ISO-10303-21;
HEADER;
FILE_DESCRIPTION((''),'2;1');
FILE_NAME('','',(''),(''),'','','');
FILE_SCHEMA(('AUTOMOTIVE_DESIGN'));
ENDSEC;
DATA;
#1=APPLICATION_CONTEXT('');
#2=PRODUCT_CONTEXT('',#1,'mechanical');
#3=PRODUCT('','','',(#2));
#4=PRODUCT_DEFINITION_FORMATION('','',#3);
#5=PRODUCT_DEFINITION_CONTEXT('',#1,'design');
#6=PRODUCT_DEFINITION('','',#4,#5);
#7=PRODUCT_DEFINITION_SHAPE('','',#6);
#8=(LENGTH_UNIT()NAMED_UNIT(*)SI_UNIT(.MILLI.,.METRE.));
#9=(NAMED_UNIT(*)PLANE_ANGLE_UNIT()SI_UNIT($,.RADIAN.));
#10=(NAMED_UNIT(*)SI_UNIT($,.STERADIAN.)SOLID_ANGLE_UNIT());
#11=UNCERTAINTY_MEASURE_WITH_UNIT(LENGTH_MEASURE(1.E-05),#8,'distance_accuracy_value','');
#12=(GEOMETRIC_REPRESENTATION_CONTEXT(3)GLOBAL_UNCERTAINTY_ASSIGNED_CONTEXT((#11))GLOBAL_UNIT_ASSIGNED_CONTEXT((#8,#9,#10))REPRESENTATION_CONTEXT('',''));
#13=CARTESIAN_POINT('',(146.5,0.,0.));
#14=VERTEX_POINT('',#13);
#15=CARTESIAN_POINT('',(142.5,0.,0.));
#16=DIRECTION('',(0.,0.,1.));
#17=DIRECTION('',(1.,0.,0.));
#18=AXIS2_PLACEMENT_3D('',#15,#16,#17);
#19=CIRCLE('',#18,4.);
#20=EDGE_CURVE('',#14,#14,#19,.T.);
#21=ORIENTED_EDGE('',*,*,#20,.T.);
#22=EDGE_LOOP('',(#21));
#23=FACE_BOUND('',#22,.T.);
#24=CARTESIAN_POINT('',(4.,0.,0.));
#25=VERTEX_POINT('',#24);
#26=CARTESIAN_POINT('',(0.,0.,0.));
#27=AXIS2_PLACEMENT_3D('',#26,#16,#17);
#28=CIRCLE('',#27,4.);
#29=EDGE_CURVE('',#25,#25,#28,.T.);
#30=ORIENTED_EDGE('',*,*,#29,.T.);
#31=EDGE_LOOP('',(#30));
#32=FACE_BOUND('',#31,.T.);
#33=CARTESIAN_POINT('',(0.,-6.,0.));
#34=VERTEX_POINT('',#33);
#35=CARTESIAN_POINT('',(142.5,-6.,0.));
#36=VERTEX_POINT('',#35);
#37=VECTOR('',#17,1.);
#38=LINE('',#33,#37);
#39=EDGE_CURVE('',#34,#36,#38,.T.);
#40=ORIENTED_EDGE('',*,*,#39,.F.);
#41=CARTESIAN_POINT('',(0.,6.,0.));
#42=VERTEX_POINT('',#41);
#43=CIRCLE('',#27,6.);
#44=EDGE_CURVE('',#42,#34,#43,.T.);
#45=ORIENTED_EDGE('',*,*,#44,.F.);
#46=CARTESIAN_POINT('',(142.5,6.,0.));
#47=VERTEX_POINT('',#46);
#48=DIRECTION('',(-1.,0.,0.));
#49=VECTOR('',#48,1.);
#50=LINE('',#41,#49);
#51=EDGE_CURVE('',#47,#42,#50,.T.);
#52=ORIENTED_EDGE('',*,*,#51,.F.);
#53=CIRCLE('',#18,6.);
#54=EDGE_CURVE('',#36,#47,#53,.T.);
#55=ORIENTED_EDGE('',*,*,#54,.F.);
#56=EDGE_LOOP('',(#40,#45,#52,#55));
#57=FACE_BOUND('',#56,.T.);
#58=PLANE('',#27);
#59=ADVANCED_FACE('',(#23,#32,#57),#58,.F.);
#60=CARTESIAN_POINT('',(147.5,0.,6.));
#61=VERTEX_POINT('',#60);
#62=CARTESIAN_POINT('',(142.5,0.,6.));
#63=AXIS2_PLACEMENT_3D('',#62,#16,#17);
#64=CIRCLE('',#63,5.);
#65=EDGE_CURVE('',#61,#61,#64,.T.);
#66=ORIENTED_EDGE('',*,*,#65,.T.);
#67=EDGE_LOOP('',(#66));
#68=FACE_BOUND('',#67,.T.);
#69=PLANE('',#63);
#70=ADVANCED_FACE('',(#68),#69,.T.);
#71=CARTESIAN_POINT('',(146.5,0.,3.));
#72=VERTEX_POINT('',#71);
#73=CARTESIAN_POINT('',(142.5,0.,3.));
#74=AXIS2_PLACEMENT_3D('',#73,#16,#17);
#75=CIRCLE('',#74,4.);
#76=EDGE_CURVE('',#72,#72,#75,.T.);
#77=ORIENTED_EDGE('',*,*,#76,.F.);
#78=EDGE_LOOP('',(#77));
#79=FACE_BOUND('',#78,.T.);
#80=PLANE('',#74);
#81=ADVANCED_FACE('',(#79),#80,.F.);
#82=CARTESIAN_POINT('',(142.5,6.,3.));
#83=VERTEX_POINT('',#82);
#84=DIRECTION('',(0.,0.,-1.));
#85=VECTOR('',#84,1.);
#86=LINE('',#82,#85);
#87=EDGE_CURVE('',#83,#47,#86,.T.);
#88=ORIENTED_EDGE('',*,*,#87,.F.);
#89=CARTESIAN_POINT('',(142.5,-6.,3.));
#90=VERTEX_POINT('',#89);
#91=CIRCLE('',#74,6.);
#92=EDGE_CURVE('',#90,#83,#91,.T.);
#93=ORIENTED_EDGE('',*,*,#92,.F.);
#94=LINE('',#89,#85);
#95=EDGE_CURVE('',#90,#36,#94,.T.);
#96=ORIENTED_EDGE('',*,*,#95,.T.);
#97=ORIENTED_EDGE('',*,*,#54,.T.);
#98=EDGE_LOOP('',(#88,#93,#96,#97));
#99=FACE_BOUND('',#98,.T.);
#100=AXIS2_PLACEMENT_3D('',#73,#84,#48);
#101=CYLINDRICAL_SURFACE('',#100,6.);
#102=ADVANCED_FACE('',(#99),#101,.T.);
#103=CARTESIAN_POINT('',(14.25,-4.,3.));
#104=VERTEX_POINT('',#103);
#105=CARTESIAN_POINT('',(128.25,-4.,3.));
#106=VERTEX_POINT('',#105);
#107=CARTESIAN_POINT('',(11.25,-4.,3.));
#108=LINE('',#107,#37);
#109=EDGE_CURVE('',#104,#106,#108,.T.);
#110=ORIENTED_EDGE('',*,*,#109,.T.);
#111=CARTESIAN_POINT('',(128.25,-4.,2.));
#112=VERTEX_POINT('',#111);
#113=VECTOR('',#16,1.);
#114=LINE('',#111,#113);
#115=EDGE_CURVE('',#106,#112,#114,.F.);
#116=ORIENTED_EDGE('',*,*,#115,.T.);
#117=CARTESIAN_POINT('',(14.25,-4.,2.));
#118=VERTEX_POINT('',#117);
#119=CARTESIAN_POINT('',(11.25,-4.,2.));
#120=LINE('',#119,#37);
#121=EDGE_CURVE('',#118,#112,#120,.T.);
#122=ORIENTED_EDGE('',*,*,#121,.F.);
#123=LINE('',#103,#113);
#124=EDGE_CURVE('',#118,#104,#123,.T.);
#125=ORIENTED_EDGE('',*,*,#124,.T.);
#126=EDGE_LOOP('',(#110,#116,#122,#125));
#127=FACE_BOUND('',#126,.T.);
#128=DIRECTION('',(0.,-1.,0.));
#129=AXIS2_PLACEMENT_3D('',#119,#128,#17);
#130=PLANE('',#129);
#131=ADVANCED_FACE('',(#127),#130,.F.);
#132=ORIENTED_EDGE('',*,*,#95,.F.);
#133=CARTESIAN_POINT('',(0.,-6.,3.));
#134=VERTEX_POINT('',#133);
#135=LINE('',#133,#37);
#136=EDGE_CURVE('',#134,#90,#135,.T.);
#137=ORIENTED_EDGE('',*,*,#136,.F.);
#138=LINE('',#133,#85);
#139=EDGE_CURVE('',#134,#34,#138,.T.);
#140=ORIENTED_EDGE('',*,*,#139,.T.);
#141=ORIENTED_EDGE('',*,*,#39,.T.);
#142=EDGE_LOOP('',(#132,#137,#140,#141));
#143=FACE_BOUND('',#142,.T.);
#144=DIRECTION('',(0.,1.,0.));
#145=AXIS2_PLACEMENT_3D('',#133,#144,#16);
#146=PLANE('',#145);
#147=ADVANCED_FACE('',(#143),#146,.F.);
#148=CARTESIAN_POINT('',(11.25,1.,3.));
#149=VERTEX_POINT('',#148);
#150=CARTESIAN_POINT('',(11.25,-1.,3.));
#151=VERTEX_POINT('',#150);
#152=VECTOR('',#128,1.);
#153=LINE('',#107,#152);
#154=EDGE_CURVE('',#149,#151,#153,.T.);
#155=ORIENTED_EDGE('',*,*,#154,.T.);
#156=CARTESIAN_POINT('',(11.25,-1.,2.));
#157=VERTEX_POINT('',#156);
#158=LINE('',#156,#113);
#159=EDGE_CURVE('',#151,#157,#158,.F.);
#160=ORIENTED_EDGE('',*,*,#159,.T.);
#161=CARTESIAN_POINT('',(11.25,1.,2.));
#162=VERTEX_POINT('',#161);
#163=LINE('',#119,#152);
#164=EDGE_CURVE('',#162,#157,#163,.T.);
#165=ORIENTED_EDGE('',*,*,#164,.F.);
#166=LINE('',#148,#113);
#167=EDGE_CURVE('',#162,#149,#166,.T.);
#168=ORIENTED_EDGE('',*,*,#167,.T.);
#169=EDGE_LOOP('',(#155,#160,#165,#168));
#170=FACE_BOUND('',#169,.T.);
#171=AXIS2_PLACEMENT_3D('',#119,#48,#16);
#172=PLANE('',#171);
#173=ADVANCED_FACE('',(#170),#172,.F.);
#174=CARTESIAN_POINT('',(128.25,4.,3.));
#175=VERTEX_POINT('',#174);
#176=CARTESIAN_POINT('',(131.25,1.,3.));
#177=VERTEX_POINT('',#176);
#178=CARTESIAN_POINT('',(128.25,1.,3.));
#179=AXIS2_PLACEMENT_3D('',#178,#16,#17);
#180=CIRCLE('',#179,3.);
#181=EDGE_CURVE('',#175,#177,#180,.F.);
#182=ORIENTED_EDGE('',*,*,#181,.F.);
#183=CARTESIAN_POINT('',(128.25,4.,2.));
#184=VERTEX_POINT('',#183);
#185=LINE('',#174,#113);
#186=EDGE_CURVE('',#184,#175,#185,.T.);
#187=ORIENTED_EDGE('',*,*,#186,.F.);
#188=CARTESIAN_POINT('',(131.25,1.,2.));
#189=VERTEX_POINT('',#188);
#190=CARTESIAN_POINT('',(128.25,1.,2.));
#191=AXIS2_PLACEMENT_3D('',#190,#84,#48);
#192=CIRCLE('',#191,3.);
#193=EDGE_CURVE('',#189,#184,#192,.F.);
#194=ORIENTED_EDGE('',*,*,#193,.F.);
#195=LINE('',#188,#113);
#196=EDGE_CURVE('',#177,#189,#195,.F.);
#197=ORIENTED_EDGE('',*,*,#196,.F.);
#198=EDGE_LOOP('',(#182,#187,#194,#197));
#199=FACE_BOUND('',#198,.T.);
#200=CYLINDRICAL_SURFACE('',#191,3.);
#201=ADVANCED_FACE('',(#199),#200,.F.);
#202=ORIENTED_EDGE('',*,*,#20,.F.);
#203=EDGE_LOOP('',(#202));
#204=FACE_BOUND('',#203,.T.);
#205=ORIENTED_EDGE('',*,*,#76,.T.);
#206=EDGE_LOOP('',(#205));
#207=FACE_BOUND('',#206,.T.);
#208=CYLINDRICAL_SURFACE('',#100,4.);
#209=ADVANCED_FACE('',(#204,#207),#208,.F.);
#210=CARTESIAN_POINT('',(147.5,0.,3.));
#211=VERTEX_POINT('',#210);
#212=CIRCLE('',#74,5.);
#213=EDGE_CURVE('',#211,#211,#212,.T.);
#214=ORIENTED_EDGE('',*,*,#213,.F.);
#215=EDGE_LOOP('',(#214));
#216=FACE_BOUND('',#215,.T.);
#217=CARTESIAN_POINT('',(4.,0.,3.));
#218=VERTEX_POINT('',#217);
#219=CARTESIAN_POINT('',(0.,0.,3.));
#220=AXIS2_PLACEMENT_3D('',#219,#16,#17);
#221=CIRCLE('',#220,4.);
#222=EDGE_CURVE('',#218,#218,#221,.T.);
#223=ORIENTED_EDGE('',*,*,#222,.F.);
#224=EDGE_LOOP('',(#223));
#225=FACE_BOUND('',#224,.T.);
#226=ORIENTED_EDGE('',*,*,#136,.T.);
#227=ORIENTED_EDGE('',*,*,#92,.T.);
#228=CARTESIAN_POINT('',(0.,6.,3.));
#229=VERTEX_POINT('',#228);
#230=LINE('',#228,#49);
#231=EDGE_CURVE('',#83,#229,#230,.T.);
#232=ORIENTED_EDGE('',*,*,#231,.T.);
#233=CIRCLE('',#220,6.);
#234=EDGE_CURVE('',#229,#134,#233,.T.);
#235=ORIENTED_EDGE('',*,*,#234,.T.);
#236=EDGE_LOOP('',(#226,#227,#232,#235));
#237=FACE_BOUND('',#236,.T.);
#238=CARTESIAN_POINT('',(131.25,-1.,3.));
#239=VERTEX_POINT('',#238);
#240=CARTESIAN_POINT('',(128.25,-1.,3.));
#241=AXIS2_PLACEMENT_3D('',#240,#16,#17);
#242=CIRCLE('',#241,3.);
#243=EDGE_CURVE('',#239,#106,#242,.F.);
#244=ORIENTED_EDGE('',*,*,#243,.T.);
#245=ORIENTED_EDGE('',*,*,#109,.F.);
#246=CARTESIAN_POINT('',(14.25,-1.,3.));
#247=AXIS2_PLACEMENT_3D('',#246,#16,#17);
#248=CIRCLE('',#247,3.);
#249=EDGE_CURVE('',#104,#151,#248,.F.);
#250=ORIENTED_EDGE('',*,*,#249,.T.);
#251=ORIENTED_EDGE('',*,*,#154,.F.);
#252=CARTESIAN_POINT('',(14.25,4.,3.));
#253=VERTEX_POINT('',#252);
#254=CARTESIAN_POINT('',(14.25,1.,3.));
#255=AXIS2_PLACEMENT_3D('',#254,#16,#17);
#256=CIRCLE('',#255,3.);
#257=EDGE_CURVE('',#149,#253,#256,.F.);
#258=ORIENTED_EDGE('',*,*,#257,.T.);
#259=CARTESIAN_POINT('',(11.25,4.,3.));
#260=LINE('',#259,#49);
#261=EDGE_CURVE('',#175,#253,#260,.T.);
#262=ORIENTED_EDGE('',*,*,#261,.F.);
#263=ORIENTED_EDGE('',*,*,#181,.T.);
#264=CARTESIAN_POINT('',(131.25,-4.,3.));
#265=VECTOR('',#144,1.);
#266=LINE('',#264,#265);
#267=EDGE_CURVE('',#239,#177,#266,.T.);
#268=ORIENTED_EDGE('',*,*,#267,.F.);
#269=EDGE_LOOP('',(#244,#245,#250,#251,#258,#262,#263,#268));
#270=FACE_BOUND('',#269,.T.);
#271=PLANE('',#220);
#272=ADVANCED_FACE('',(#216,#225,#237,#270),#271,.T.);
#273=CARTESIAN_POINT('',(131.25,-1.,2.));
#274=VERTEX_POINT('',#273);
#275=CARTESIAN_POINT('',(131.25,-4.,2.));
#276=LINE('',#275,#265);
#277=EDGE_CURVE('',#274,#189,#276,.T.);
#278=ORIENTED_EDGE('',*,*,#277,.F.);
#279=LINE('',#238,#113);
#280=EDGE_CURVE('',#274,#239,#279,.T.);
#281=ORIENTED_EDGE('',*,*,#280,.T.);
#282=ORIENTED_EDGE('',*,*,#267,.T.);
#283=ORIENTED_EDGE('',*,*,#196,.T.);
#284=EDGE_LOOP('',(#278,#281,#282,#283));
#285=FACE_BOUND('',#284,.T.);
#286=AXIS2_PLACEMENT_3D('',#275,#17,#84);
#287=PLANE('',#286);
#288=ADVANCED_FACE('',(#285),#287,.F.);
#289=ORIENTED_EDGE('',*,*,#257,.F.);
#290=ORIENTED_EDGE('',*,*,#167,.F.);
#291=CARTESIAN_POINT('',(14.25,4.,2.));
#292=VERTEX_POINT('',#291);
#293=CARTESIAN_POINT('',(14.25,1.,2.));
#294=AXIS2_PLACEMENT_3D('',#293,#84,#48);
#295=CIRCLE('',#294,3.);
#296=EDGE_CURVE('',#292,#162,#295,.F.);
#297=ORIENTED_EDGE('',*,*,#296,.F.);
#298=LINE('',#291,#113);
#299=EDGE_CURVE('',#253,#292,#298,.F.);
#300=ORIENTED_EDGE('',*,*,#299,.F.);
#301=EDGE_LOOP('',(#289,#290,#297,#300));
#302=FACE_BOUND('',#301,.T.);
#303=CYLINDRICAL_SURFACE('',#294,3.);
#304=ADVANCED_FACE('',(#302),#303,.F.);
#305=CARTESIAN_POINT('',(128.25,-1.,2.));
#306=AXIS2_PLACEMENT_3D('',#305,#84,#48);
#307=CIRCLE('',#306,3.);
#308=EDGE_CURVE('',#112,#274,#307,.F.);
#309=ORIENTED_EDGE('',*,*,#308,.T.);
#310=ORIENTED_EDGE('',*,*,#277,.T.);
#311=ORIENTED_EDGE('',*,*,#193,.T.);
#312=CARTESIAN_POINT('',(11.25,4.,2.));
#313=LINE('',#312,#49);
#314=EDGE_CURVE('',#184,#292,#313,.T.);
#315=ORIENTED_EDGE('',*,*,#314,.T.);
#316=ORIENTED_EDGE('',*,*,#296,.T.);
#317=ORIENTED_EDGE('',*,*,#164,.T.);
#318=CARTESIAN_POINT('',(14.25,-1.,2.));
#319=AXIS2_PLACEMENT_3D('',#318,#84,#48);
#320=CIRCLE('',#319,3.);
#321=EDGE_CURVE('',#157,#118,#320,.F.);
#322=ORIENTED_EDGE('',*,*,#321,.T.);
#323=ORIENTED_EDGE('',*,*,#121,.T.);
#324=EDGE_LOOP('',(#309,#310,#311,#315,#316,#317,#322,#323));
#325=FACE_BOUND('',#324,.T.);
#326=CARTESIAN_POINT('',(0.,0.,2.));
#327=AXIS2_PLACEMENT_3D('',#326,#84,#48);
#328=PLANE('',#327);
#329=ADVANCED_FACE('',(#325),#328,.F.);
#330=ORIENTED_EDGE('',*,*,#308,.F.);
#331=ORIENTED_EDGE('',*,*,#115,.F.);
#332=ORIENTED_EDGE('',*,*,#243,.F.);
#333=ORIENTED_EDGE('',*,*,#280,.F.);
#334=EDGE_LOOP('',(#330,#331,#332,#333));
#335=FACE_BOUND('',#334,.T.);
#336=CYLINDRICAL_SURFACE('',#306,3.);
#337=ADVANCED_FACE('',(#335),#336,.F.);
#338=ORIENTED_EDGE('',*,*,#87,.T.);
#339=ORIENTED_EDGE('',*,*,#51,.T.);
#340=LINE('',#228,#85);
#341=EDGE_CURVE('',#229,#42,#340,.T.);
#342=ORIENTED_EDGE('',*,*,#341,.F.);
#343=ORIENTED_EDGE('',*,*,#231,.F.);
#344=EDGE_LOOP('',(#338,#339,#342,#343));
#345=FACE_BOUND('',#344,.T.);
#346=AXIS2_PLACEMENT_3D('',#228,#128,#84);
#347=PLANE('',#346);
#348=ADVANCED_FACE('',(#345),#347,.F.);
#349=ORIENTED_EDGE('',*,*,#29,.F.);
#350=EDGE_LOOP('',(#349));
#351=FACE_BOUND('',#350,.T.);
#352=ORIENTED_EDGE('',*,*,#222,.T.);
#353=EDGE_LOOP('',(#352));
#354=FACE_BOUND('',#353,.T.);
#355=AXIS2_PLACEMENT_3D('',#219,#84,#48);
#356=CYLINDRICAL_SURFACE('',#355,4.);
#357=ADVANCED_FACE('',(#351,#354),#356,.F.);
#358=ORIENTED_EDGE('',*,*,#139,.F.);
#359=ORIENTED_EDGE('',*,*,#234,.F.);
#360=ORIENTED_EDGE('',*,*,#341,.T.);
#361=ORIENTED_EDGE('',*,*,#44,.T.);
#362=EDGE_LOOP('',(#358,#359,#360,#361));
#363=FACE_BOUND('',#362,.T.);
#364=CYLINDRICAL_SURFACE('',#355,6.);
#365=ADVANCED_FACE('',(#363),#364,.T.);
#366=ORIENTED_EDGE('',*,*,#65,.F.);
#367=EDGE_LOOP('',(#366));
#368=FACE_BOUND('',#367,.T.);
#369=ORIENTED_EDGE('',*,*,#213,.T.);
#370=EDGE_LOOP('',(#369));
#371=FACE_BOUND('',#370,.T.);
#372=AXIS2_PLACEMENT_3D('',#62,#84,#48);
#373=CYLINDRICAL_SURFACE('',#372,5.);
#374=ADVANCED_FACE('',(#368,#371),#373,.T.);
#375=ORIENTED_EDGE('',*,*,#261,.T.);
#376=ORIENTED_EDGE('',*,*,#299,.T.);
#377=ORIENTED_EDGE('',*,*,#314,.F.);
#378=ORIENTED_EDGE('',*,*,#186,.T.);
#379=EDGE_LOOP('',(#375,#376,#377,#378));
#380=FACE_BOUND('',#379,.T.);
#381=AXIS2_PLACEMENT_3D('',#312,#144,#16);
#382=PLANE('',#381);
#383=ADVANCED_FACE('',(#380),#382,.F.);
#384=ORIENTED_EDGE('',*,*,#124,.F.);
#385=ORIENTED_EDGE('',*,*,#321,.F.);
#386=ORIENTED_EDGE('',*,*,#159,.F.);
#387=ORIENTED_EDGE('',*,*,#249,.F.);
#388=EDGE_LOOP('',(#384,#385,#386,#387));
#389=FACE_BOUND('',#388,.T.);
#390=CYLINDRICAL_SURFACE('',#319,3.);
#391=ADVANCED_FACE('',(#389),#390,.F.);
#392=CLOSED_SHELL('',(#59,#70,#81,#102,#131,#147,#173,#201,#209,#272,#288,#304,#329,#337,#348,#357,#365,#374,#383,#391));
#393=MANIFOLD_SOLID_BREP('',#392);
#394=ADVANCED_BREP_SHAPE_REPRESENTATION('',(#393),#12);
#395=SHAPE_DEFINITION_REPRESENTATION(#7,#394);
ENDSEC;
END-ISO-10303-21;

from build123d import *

# Parameters (mm, degrees)
SKETCH1_R           = 4
BOSS_EXTRUDE1_DEPTH = 3
SKETCH3_R           = 5
BOSS_EXTRUDE2_DEPTH = 3
SKETCH4_W           = 120
SKETCH4_H           = 8
CUT_EXTRUDE1_DEPTH  = 1
FILLET1_R           = 3


with BuildPart() as part:
    # Sketch1 → Boss-Extrude1 (new body)
    with BuildSketch(Plane.XY):
        with BuildLine():
            Line((0, 6), (142.5, 6))
            ThreePointArc((142.5, 6), (148.5, 0), (142.5, -6))
            Line((142.5, -6), (0, -6))
            ThreePointArc((0, -6), (-6, 0), (0, 6))
        make_face()
        Circle(SKETCH1_R, mode=Mode.SUBTRACT)
        with Locations((142.5, 0)):
            Circle(SKETCH1_R, mode=Mode.SUBTRACT)
    extrude(amount=BOSS_EXTRUDE1_DEPTH)

    # Sketch3 → Boss-Extrude2 (add)
    with BuildSketch(Plane.XY.offset(3)):
        with Locations((142.5, 0)):
            Circle(SKETCH3_R)
    extrude(amount=BOSS_EXTRUDE2_DEPTH)

    # Sketch4 → Cut-Extrude1 (cut)
    with BuildSketch(Plane.XY.offset(3)):
        with Locations((71.25, 0)):
            Rectangle(SKETCH4_W, SKETCH4_H)
    extrude(amount=-CUT_EXTRUDE1_DEPTH, mode=Mode.SUBTRACT)

    # Fillet1
    fillet1_edges = [part.edges().sort_by_distance(p)[0] for p in [
        (131.25, 4, 2.5),
        (131.25, -4, 2.5),
        (11.25, -4, 2.5),
        (11.25, 4, 2.5),
    ]]
    fillet(fillet1_edges, radius=FILLET1_R)


solid = part.part
